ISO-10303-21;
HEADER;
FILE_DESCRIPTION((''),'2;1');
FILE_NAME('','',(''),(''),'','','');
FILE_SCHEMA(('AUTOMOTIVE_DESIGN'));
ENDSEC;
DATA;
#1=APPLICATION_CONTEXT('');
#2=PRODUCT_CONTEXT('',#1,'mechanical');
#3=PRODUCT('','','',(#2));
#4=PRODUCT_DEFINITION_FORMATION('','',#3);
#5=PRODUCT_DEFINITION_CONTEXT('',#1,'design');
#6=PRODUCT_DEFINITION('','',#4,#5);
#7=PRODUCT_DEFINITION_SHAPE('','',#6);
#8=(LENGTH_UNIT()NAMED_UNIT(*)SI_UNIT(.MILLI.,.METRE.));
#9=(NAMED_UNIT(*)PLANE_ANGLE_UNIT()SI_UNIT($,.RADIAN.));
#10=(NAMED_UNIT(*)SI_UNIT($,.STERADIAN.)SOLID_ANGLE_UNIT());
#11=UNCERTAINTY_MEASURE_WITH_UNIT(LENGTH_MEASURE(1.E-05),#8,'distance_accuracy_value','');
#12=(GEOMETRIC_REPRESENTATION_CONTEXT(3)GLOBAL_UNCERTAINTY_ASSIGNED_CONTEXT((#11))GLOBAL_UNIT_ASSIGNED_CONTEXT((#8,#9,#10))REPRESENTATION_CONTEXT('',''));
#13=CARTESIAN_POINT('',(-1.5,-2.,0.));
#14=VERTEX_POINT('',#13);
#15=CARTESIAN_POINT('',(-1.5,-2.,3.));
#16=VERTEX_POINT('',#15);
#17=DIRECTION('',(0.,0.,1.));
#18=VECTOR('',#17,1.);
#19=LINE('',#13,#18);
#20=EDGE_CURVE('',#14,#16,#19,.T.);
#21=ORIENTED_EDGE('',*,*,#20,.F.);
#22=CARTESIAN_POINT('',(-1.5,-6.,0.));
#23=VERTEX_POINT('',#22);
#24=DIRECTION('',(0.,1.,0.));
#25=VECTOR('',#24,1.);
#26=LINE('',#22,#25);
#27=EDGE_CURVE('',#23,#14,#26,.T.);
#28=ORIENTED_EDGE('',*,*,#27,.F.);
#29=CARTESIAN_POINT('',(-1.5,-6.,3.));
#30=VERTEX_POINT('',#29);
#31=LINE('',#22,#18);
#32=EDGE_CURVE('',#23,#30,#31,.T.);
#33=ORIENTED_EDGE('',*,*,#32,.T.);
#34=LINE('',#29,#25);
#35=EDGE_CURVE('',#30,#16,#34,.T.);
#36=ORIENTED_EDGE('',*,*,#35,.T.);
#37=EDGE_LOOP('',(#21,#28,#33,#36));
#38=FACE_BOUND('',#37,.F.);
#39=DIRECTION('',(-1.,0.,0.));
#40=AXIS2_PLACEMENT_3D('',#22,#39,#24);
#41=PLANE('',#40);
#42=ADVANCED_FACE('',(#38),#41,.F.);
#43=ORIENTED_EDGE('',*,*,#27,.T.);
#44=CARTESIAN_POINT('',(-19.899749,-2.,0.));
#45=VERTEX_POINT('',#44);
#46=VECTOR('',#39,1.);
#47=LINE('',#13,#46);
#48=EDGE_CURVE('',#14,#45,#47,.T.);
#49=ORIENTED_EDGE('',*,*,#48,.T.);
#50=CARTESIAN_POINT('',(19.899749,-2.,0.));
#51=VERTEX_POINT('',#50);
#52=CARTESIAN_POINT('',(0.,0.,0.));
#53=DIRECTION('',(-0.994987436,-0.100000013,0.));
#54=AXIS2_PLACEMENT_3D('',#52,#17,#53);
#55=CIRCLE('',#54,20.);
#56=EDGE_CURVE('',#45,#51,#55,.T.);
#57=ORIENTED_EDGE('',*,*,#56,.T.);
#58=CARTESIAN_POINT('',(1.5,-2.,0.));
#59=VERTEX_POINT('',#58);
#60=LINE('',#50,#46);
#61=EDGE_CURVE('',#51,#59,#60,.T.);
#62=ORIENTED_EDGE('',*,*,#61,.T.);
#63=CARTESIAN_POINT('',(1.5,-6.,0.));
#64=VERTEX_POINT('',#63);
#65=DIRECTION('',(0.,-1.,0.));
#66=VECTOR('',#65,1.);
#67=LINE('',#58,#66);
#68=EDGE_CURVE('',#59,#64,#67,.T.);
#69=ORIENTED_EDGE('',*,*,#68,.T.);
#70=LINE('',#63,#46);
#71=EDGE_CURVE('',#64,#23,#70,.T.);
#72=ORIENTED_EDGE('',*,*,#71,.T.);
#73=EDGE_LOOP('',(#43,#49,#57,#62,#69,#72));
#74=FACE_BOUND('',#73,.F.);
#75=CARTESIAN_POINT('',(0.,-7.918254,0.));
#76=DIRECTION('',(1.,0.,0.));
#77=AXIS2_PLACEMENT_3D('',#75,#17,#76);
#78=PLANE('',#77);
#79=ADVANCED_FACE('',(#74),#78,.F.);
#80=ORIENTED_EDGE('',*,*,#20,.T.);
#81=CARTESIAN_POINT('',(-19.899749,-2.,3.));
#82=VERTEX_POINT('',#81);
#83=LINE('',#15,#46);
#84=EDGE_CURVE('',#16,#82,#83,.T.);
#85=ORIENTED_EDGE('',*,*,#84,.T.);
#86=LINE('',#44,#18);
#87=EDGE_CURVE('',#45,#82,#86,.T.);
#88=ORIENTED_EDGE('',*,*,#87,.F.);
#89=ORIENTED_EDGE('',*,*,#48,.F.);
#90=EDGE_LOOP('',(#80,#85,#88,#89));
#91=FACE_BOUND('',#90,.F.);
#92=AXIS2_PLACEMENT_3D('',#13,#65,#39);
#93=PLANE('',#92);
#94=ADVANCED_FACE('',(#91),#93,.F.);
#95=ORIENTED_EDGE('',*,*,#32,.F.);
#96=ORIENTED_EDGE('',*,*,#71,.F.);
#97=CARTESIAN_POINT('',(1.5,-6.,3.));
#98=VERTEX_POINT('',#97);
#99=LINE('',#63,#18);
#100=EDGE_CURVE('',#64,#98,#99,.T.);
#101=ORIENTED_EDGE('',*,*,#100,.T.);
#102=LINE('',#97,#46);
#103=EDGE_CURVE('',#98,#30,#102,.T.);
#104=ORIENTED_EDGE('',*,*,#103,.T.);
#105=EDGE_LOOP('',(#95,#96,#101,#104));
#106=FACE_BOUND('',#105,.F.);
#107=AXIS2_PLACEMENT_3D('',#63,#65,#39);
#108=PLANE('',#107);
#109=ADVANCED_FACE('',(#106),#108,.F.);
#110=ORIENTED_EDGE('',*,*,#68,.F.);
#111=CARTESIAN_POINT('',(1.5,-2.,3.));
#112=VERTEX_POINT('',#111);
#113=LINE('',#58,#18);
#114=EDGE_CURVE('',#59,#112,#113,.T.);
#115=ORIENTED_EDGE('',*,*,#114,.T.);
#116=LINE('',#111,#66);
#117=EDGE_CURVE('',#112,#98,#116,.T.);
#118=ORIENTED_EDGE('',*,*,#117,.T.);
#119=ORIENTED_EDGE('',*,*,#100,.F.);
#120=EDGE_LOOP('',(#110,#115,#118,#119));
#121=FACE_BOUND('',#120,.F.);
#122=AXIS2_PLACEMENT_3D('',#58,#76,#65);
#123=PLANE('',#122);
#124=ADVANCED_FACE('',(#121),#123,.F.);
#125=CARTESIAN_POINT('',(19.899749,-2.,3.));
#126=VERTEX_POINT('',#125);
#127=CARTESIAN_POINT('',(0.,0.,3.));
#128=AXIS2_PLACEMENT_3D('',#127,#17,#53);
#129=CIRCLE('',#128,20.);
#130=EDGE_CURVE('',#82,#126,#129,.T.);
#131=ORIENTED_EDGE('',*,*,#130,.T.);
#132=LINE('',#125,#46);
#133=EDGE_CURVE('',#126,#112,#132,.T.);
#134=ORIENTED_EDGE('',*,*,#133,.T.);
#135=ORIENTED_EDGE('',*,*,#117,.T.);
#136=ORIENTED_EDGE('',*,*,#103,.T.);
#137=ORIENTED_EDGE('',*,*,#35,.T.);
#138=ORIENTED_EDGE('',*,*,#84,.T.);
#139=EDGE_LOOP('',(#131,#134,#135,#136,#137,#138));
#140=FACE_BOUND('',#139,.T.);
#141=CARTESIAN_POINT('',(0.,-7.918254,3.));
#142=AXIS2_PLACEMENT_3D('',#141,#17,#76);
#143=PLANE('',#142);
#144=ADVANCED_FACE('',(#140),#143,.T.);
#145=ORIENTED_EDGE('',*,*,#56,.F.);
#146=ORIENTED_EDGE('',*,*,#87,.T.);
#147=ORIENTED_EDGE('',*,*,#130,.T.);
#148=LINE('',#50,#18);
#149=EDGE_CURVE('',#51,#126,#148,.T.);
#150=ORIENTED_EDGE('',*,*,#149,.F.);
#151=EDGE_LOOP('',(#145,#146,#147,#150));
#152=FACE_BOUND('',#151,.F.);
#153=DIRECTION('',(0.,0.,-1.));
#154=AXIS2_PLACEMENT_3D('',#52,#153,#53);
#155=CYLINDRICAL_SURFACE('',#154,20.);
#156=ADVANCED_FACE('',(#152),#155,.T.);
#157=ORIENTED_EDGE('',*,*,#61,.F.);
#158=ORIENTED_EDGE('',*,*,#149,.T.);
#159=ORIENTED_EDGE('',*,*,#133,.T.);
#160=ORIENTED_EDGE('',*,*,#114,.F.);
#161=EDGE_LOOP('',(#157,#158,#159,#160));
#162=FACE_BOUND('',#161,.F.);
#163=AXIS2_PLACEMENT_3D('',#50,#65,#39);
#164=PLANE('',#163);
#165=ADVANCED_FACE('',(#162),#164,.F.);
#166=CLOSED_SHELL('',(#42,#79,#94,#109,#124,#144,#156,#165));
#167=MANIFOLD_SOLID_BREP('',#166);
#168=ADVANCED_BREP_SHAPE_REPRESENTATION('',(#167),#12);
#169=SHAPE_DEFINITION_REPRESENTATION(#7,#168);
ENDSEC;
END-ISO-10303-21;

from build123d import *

# Parameters (mm, degrees)
F1_DEPTH = 3


with BuildPart() as f1:
    # F0 (on Top) → F1 (new body)
    with BuildSketch(Plane.XY):
        with BuildLine():
            Line((-1.5, -2), (-19.899749, -2))
            ThreePointArc((-19.899749, -2), (0, -20), (19.899749, -2))
            Line((19.899749, -2), (1.5, -2))
            Line((1.5, -2), (1.5, -6))
            Line((1.5, -6), (-1.5, -6))
            Line((-1.5, -6), (-1.5, -2))
        make_face()
    extrude(amount=F1_DEPTH)


solid = f1.part
